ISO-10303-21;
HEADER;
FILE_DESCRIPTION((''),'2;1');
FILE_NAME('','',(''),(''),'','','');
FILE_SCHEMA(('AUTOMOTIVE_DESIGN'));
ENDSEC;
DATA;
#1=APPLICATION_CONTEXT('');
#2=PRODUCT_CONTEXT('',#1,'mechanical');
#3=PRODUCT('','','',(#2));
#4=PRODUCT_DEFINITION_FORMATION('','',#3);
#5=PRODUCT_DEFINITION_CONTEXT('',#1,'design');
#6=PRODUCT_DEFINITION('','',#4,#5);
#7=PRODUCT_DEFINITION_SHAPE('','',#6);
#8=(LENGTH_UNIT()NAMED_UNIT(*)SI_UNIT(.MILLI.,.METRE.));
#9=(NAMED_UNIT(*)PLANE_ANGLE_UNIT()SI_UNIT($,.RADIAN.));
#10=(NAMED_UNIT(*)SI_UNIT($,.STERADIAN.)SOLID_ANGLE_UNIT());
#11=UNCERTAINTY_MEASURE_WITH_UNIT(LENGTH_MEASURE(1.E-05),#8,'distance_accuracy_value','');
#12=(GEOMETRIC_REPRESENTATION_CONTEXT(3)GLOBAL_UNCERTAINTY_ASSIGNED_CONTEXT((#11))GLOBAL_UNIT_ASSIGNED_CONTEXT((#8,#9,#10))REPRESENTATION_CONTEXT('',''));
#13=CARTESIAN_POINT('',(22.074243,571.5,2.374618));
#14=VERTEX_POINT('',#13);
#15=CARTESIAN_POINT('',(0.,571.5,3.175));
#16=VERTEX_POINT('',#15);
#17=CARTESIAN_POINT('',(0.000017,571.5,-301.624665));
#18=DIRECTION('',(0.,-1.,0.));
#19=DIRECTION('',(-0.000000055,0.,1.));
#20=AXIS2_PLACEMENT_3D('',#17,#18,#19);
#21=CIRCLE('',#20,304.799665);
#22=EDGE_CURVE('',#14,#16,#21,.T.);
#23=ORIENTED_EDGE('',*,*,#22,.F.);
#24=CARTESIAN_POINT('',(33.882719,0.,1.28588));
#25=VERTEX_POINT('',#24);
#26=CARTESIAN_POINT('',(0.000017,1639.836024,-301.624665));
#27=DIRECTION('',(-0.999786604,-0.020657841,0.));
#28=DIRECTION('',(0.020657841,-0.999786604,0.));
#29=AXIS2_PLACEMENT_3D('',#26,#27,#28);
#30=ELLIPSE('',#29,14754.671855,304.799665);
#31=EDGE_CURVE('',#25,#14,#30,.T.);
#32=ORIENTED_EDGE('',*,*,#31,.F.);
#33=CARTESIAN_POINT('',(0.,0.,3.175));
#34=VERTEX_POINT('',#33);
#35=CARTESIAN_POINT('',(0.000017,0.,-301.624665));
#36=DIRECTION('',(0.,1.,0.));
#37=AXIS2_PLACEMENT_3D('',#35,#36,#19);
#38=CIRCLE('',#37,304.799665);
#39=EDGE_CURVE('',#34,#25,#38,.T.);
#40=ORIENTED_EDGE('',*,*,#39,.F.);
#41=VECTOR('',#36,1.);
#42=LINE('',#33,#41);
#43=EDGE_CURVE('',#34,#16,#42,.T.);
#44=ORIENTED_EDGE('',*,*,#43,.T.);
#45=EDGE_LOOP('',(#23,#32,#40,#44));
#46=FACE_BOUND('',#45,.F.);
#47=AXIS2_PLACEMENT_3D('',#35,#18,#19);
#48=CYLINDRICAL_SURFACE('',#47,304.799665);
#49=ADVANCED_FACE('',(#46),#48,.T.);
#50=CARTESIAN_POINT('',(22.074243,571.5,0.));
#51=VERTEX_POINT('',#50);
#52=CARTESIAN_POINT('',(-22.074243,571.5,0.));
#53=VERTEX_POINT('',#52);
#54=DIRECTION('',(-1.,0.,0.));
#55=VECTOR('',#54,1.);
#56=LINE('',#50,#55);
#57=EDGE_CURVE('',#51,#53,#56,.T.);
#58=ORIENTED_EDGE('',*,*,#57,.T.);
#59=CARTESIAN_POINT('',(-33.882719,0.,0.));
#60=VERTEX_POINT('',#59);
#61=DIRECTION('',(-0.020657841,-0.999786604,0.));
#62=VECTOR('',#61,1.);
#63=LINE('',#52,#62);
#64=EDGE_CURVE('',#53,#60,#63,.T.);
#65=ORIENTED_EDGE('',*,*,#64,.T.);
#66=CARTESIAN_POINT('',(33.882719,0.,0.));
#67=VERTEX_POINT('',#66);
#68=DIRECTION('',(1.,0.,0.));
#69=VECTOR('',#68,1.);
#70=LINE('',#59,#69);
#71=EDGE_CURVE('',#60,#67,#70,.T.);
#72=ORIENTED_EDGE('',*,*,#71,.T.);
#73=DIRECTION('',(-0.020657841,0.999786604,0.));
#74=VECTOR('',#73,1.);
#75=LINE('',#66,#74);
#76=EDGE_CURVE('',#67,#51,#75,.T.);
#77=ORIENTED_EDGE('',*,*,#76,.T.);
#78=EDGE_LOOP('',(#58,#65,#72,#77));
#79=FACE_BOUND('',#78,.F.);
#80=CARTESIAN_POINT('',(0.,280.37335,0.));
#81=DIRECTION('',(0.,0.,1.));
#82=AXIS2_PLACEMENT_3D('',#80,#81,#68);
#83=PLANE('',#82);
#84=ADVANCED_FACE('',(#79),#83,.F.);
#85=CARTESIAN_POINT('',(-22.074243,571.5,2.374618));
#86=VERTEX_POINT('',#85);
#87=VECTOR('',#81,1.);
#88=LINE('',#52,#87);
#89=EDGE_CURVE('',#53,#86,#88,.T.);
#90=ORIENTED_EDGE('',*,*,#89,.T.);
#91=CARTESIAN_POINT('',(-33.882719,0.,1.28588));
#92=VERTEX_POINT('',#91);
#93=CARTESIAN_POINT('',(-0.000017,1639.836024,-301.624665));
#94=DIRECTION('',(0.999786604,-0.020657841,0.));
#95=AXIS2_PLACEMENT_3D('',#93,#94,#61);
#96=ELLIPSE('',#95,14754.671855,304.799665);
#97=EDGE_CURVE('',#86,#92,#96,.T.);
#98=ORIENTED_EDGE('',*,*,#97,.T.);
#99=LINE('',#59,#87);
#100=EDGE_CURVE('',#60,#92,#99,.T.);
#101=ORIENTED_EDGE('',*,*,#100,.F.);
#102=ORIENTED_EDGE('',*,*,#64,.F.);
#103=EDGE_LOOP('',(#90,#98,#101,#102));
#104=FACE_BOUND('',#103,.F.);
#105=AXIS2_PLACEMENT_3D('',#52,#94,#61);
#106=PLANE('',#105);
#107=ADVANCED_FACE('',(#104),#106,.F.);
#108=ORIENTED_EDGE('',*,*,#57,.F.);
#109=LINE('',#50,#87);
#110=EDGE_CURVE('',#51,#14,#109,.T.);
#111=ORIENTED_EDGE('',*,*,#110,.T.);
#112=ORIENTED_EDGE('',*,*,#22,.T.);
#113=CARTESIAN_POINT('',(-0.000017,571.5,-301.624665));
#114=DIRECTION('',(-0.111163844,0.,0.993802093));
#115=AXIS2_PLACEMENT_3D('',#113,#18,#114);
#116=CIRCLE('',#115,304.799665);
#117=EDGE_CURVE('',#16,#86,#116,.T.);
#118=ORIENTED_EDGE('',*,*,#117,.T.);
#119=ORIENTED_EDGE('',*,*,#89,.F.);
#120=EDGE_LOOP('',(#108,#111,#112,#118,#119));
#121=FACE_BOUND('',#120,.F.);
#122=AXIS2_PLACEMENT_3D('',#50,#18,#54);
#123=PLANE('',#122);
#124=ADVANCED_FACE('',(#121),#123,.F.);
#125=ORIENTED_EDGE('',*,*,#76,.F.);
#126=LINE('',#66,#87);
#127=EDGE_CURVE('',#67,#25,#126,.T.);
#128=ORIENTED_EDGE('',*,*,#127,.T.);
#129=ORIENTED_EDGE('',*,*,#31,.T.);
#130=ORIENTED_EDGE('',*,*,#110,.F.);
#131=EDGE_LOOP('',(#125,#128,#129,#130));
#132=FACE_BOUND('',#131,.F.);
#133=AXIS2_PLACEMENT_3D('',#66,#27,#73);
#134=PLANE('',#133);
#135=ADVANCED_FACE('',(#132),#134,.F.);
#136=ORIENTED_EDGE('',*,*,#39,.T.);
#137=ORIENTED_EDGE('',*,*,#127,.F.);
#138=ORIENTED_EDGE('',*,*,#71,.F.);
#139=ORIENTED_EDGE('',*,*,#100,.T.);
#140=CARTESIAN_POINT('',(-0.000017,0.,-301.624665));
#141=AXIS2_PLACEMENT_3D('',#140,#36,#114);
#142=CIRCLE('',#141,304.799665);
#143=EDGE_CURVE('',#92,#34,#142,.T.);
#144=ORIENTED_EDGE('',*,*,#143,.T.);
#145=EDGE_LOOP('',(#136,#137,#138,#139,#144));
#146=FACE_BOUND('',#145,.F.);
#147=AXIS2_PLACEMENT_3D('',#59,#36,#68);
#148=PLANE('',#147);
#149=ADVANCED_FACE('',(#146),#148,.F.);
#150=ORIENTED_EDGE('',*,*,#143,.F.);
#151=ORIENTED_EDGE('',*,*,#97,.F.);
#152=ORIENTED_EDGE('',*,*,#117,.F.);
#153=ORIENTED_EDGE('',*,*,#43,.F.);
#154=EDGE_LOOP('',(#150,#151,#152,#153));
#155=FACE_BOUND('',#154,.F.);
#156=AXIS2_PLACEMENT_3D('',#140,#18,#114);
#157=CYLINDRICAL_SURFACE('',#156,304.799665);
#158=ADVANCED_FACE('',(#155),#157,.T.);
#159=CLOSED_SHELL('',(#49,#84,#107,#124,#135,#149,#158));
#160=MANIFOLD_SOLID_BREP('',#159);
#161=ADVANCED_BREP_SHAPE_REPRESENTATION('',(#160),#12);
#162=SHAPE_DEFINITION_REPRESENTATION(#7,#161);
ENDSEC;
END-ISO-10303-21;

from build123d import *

# Parameters (mm, degrees)
F1_DEPTH = 3.175
F3_DEPTH = 571.501


with BuildPart() as f1:
    # F0 (on Top) → F1 (new body)
    with BuildSketch(Plane.XY):
        Polygon((22.074243, 571.5), (-22.074243, 571.5), (-33.882719, 0), (33.882719, 0), align=None)
    extrude(amount=F1_DEPTH)

    # F2 (on face) → F3 (cut, through all)
    with BuildSketch(Plane.XZ):
        with BuildLine():
            ThreePointArc((-33.882719, 1.28588), (-16.967671, 2.702354), (0, 3.175))
            Line((0, 3.175), (-33.882719, 3.175))
            Line((-33.882719, 3.175), (-33.882719, 1.28588))
        make_face()
        with BuildLine():
            ThreePointArc((0, 3.175), (16.967671, 2.702354), (33.882719, 1.28588))
            Line((33.882719, 1.28588), (33.882719, 3.175))
            Line((33.882719, 3.175), (0, 3.175))
        make_face()
    extrude(amount=-F3_DEPTH, mode=Mode.SUBTRACT)


solid = f1.part
